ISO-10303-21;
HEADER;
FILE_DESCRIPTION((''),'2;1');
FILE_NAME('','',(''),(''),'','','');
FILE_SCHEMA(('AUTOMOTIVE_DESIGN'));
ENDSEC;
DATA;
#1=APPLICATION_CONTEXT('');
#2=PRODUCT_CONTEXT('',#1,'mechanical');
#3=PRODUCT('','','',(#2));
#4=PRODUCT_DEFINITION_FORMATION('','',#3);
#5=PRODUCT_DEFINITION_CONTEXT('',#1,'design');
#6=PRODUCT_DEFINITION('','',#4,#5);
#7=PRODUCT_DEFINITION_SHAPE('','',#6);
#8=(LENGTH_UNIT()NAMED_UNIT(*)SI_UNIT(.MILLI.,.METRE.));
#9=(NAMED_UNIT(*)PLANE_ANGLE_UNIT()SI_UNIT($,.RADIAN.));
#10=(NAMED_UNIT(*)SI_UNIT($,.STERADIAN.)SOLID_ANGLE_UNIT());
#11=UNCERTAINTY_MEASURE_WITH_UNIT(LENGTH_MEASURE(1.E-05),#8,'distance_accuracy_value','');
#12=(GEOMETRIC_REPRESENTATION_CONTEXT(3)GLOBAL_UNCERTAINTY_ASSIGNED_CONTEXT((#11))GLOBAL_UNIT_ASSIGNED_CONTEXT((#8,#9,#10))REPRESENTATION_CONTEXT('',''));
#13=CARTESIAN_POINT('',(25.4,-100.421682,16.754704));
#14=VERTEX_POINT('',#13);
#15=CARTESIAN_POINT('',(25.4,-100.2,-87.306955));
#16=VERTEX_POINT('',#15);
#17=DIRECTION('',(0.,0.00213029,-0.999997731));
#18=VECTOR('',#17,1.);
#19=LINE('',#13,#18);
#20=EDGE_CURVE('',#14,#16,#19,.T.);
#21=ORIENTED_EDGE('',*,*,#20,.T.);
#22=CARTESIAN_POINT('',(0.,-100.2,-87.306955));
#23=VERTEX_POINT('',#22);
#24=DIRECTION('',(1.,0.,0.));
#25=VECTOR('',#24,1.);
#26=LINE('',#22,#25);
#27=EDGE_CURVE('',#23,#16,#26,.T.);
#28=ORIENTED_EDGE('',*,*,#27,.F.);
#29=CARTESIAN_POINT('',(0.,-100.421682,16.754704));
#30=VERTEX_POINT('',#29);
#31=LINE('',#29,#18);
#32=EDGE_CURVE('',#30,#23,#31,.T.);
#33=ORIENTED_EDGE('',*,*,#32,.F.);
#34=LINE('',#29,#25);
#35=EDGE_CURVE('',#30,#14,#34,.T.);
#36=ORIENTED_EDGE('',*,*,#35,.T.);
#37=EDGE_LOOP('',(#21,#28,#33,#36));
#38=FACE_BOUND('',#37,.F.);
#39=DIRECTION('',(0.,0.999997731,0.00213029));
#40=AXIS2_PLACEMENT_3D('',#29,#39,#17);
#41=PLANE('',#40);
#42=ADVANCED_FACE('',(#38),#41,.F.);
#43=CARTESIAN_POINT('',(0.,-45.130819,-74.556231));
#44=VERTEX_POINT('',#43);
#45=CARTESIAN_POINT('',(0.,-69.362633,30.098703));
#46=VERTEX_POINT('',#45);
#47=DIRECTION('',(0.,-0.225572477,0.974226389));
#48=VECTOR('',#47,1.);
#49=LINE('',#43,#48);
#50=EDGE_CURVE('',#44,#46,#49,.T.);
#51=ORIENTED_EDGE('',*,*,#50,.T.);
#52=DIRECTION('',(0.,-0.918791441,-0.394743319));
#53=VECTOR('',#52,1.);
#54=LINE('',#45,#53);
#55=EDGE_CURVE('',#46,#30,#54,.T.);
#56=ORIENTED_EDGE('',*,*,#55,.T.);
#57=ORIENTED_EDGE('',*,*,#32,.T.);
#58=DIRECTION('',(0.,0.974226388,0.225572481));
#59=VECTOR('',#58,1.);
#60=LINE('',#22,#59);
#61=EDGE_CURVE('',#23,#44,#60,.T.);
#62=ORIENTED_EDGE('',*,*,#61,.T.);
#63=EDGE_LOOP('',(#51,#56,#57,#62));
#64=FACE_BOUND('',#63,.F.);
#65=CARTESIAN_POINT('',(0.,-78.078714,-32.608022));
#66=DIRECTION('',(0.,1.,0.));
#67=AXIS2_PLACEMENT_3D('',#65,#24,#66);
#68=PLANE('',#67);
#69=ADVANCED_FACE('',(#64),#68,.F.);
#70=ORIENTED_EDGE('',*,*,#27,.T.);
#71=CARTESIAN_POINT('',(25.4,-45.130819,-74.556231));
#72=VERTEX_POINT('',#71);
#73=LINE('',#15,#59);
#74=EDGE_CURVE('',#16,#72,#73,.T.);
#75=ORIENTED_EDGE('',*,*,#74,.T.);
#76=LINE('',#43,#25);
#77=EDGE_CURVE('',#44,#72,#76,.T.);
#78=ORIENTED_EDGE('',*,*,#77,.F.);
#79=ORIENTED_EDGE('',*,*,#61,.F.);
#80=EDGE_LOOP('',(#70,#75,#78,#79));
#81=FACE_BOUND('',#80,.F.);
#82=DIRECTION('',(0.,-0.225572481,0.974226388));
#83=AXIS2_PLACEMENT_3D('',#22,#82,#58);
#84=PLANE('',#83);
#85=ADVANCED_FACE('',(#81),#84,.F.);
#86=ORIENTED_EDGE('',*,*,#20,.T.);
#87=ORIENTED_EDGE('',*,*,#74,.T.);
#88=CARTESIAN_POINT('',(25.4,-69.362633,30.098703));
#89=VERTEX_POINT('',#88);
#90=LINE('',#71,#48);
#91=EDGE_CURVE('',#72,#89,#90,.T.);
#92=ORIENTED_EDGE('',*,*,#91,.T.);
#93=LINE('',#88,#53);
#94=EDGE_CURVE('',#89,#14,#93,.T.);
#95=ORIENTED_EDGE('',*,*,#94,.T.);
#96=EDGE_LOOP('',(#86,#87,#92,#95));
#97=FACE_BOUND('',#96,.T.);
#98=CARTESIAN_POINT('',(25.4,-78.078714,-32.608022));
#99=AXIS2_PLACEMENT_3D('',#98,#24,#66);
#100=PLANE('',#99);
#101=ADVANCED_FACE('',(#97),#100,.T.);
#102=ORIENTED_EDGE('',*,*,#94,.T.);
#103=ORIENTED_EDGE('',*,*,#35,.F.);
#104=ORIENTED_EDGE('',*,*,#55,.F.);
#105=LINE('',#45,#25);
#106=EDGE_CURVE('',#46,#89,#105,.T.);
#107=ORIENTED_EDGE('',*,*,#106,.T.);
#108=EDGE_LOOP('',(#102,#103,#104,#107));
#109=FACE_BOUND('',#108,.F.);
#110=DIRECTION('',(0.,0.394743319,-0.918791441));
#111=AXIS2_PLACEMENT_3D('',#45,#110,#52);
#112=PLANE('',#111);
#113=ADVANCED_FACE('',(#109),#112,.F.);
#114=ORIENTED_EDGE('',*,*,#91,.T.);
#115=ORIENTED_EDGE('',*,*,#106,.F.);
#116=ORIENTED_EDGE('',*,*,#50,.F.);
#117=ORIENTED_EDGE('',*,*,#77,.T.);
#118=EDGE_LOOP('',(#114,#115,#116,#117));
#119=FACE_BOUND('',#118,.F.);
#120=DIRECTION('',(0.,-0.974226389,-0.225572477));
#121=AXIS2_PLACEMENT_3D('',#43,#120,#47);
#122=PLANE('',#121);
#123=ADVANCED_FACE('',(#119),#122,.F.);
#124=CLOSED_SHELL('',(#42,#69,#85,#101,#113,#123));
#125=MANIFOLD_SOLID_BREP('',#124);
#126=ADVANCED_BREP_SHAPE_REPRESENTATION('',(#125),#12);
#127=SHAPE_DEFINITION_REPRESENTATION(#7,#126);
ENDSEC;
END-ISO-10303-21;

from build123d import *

# Parameters (mm, degrees)
F1_DEPTH = 25.4


with BuildPart() as f1:
    # F0 (on Right) → F1 (new body)
    with BuildSketch(Plane.YZ):
        Polygon((-69.362633, 30.098703), (-100.421682, 16.754704), (-100.2, -87.306955), (-45.130819, -74.556231), align=None)
    extrude(amount=F1_DEPTH)


solid = f1.part
